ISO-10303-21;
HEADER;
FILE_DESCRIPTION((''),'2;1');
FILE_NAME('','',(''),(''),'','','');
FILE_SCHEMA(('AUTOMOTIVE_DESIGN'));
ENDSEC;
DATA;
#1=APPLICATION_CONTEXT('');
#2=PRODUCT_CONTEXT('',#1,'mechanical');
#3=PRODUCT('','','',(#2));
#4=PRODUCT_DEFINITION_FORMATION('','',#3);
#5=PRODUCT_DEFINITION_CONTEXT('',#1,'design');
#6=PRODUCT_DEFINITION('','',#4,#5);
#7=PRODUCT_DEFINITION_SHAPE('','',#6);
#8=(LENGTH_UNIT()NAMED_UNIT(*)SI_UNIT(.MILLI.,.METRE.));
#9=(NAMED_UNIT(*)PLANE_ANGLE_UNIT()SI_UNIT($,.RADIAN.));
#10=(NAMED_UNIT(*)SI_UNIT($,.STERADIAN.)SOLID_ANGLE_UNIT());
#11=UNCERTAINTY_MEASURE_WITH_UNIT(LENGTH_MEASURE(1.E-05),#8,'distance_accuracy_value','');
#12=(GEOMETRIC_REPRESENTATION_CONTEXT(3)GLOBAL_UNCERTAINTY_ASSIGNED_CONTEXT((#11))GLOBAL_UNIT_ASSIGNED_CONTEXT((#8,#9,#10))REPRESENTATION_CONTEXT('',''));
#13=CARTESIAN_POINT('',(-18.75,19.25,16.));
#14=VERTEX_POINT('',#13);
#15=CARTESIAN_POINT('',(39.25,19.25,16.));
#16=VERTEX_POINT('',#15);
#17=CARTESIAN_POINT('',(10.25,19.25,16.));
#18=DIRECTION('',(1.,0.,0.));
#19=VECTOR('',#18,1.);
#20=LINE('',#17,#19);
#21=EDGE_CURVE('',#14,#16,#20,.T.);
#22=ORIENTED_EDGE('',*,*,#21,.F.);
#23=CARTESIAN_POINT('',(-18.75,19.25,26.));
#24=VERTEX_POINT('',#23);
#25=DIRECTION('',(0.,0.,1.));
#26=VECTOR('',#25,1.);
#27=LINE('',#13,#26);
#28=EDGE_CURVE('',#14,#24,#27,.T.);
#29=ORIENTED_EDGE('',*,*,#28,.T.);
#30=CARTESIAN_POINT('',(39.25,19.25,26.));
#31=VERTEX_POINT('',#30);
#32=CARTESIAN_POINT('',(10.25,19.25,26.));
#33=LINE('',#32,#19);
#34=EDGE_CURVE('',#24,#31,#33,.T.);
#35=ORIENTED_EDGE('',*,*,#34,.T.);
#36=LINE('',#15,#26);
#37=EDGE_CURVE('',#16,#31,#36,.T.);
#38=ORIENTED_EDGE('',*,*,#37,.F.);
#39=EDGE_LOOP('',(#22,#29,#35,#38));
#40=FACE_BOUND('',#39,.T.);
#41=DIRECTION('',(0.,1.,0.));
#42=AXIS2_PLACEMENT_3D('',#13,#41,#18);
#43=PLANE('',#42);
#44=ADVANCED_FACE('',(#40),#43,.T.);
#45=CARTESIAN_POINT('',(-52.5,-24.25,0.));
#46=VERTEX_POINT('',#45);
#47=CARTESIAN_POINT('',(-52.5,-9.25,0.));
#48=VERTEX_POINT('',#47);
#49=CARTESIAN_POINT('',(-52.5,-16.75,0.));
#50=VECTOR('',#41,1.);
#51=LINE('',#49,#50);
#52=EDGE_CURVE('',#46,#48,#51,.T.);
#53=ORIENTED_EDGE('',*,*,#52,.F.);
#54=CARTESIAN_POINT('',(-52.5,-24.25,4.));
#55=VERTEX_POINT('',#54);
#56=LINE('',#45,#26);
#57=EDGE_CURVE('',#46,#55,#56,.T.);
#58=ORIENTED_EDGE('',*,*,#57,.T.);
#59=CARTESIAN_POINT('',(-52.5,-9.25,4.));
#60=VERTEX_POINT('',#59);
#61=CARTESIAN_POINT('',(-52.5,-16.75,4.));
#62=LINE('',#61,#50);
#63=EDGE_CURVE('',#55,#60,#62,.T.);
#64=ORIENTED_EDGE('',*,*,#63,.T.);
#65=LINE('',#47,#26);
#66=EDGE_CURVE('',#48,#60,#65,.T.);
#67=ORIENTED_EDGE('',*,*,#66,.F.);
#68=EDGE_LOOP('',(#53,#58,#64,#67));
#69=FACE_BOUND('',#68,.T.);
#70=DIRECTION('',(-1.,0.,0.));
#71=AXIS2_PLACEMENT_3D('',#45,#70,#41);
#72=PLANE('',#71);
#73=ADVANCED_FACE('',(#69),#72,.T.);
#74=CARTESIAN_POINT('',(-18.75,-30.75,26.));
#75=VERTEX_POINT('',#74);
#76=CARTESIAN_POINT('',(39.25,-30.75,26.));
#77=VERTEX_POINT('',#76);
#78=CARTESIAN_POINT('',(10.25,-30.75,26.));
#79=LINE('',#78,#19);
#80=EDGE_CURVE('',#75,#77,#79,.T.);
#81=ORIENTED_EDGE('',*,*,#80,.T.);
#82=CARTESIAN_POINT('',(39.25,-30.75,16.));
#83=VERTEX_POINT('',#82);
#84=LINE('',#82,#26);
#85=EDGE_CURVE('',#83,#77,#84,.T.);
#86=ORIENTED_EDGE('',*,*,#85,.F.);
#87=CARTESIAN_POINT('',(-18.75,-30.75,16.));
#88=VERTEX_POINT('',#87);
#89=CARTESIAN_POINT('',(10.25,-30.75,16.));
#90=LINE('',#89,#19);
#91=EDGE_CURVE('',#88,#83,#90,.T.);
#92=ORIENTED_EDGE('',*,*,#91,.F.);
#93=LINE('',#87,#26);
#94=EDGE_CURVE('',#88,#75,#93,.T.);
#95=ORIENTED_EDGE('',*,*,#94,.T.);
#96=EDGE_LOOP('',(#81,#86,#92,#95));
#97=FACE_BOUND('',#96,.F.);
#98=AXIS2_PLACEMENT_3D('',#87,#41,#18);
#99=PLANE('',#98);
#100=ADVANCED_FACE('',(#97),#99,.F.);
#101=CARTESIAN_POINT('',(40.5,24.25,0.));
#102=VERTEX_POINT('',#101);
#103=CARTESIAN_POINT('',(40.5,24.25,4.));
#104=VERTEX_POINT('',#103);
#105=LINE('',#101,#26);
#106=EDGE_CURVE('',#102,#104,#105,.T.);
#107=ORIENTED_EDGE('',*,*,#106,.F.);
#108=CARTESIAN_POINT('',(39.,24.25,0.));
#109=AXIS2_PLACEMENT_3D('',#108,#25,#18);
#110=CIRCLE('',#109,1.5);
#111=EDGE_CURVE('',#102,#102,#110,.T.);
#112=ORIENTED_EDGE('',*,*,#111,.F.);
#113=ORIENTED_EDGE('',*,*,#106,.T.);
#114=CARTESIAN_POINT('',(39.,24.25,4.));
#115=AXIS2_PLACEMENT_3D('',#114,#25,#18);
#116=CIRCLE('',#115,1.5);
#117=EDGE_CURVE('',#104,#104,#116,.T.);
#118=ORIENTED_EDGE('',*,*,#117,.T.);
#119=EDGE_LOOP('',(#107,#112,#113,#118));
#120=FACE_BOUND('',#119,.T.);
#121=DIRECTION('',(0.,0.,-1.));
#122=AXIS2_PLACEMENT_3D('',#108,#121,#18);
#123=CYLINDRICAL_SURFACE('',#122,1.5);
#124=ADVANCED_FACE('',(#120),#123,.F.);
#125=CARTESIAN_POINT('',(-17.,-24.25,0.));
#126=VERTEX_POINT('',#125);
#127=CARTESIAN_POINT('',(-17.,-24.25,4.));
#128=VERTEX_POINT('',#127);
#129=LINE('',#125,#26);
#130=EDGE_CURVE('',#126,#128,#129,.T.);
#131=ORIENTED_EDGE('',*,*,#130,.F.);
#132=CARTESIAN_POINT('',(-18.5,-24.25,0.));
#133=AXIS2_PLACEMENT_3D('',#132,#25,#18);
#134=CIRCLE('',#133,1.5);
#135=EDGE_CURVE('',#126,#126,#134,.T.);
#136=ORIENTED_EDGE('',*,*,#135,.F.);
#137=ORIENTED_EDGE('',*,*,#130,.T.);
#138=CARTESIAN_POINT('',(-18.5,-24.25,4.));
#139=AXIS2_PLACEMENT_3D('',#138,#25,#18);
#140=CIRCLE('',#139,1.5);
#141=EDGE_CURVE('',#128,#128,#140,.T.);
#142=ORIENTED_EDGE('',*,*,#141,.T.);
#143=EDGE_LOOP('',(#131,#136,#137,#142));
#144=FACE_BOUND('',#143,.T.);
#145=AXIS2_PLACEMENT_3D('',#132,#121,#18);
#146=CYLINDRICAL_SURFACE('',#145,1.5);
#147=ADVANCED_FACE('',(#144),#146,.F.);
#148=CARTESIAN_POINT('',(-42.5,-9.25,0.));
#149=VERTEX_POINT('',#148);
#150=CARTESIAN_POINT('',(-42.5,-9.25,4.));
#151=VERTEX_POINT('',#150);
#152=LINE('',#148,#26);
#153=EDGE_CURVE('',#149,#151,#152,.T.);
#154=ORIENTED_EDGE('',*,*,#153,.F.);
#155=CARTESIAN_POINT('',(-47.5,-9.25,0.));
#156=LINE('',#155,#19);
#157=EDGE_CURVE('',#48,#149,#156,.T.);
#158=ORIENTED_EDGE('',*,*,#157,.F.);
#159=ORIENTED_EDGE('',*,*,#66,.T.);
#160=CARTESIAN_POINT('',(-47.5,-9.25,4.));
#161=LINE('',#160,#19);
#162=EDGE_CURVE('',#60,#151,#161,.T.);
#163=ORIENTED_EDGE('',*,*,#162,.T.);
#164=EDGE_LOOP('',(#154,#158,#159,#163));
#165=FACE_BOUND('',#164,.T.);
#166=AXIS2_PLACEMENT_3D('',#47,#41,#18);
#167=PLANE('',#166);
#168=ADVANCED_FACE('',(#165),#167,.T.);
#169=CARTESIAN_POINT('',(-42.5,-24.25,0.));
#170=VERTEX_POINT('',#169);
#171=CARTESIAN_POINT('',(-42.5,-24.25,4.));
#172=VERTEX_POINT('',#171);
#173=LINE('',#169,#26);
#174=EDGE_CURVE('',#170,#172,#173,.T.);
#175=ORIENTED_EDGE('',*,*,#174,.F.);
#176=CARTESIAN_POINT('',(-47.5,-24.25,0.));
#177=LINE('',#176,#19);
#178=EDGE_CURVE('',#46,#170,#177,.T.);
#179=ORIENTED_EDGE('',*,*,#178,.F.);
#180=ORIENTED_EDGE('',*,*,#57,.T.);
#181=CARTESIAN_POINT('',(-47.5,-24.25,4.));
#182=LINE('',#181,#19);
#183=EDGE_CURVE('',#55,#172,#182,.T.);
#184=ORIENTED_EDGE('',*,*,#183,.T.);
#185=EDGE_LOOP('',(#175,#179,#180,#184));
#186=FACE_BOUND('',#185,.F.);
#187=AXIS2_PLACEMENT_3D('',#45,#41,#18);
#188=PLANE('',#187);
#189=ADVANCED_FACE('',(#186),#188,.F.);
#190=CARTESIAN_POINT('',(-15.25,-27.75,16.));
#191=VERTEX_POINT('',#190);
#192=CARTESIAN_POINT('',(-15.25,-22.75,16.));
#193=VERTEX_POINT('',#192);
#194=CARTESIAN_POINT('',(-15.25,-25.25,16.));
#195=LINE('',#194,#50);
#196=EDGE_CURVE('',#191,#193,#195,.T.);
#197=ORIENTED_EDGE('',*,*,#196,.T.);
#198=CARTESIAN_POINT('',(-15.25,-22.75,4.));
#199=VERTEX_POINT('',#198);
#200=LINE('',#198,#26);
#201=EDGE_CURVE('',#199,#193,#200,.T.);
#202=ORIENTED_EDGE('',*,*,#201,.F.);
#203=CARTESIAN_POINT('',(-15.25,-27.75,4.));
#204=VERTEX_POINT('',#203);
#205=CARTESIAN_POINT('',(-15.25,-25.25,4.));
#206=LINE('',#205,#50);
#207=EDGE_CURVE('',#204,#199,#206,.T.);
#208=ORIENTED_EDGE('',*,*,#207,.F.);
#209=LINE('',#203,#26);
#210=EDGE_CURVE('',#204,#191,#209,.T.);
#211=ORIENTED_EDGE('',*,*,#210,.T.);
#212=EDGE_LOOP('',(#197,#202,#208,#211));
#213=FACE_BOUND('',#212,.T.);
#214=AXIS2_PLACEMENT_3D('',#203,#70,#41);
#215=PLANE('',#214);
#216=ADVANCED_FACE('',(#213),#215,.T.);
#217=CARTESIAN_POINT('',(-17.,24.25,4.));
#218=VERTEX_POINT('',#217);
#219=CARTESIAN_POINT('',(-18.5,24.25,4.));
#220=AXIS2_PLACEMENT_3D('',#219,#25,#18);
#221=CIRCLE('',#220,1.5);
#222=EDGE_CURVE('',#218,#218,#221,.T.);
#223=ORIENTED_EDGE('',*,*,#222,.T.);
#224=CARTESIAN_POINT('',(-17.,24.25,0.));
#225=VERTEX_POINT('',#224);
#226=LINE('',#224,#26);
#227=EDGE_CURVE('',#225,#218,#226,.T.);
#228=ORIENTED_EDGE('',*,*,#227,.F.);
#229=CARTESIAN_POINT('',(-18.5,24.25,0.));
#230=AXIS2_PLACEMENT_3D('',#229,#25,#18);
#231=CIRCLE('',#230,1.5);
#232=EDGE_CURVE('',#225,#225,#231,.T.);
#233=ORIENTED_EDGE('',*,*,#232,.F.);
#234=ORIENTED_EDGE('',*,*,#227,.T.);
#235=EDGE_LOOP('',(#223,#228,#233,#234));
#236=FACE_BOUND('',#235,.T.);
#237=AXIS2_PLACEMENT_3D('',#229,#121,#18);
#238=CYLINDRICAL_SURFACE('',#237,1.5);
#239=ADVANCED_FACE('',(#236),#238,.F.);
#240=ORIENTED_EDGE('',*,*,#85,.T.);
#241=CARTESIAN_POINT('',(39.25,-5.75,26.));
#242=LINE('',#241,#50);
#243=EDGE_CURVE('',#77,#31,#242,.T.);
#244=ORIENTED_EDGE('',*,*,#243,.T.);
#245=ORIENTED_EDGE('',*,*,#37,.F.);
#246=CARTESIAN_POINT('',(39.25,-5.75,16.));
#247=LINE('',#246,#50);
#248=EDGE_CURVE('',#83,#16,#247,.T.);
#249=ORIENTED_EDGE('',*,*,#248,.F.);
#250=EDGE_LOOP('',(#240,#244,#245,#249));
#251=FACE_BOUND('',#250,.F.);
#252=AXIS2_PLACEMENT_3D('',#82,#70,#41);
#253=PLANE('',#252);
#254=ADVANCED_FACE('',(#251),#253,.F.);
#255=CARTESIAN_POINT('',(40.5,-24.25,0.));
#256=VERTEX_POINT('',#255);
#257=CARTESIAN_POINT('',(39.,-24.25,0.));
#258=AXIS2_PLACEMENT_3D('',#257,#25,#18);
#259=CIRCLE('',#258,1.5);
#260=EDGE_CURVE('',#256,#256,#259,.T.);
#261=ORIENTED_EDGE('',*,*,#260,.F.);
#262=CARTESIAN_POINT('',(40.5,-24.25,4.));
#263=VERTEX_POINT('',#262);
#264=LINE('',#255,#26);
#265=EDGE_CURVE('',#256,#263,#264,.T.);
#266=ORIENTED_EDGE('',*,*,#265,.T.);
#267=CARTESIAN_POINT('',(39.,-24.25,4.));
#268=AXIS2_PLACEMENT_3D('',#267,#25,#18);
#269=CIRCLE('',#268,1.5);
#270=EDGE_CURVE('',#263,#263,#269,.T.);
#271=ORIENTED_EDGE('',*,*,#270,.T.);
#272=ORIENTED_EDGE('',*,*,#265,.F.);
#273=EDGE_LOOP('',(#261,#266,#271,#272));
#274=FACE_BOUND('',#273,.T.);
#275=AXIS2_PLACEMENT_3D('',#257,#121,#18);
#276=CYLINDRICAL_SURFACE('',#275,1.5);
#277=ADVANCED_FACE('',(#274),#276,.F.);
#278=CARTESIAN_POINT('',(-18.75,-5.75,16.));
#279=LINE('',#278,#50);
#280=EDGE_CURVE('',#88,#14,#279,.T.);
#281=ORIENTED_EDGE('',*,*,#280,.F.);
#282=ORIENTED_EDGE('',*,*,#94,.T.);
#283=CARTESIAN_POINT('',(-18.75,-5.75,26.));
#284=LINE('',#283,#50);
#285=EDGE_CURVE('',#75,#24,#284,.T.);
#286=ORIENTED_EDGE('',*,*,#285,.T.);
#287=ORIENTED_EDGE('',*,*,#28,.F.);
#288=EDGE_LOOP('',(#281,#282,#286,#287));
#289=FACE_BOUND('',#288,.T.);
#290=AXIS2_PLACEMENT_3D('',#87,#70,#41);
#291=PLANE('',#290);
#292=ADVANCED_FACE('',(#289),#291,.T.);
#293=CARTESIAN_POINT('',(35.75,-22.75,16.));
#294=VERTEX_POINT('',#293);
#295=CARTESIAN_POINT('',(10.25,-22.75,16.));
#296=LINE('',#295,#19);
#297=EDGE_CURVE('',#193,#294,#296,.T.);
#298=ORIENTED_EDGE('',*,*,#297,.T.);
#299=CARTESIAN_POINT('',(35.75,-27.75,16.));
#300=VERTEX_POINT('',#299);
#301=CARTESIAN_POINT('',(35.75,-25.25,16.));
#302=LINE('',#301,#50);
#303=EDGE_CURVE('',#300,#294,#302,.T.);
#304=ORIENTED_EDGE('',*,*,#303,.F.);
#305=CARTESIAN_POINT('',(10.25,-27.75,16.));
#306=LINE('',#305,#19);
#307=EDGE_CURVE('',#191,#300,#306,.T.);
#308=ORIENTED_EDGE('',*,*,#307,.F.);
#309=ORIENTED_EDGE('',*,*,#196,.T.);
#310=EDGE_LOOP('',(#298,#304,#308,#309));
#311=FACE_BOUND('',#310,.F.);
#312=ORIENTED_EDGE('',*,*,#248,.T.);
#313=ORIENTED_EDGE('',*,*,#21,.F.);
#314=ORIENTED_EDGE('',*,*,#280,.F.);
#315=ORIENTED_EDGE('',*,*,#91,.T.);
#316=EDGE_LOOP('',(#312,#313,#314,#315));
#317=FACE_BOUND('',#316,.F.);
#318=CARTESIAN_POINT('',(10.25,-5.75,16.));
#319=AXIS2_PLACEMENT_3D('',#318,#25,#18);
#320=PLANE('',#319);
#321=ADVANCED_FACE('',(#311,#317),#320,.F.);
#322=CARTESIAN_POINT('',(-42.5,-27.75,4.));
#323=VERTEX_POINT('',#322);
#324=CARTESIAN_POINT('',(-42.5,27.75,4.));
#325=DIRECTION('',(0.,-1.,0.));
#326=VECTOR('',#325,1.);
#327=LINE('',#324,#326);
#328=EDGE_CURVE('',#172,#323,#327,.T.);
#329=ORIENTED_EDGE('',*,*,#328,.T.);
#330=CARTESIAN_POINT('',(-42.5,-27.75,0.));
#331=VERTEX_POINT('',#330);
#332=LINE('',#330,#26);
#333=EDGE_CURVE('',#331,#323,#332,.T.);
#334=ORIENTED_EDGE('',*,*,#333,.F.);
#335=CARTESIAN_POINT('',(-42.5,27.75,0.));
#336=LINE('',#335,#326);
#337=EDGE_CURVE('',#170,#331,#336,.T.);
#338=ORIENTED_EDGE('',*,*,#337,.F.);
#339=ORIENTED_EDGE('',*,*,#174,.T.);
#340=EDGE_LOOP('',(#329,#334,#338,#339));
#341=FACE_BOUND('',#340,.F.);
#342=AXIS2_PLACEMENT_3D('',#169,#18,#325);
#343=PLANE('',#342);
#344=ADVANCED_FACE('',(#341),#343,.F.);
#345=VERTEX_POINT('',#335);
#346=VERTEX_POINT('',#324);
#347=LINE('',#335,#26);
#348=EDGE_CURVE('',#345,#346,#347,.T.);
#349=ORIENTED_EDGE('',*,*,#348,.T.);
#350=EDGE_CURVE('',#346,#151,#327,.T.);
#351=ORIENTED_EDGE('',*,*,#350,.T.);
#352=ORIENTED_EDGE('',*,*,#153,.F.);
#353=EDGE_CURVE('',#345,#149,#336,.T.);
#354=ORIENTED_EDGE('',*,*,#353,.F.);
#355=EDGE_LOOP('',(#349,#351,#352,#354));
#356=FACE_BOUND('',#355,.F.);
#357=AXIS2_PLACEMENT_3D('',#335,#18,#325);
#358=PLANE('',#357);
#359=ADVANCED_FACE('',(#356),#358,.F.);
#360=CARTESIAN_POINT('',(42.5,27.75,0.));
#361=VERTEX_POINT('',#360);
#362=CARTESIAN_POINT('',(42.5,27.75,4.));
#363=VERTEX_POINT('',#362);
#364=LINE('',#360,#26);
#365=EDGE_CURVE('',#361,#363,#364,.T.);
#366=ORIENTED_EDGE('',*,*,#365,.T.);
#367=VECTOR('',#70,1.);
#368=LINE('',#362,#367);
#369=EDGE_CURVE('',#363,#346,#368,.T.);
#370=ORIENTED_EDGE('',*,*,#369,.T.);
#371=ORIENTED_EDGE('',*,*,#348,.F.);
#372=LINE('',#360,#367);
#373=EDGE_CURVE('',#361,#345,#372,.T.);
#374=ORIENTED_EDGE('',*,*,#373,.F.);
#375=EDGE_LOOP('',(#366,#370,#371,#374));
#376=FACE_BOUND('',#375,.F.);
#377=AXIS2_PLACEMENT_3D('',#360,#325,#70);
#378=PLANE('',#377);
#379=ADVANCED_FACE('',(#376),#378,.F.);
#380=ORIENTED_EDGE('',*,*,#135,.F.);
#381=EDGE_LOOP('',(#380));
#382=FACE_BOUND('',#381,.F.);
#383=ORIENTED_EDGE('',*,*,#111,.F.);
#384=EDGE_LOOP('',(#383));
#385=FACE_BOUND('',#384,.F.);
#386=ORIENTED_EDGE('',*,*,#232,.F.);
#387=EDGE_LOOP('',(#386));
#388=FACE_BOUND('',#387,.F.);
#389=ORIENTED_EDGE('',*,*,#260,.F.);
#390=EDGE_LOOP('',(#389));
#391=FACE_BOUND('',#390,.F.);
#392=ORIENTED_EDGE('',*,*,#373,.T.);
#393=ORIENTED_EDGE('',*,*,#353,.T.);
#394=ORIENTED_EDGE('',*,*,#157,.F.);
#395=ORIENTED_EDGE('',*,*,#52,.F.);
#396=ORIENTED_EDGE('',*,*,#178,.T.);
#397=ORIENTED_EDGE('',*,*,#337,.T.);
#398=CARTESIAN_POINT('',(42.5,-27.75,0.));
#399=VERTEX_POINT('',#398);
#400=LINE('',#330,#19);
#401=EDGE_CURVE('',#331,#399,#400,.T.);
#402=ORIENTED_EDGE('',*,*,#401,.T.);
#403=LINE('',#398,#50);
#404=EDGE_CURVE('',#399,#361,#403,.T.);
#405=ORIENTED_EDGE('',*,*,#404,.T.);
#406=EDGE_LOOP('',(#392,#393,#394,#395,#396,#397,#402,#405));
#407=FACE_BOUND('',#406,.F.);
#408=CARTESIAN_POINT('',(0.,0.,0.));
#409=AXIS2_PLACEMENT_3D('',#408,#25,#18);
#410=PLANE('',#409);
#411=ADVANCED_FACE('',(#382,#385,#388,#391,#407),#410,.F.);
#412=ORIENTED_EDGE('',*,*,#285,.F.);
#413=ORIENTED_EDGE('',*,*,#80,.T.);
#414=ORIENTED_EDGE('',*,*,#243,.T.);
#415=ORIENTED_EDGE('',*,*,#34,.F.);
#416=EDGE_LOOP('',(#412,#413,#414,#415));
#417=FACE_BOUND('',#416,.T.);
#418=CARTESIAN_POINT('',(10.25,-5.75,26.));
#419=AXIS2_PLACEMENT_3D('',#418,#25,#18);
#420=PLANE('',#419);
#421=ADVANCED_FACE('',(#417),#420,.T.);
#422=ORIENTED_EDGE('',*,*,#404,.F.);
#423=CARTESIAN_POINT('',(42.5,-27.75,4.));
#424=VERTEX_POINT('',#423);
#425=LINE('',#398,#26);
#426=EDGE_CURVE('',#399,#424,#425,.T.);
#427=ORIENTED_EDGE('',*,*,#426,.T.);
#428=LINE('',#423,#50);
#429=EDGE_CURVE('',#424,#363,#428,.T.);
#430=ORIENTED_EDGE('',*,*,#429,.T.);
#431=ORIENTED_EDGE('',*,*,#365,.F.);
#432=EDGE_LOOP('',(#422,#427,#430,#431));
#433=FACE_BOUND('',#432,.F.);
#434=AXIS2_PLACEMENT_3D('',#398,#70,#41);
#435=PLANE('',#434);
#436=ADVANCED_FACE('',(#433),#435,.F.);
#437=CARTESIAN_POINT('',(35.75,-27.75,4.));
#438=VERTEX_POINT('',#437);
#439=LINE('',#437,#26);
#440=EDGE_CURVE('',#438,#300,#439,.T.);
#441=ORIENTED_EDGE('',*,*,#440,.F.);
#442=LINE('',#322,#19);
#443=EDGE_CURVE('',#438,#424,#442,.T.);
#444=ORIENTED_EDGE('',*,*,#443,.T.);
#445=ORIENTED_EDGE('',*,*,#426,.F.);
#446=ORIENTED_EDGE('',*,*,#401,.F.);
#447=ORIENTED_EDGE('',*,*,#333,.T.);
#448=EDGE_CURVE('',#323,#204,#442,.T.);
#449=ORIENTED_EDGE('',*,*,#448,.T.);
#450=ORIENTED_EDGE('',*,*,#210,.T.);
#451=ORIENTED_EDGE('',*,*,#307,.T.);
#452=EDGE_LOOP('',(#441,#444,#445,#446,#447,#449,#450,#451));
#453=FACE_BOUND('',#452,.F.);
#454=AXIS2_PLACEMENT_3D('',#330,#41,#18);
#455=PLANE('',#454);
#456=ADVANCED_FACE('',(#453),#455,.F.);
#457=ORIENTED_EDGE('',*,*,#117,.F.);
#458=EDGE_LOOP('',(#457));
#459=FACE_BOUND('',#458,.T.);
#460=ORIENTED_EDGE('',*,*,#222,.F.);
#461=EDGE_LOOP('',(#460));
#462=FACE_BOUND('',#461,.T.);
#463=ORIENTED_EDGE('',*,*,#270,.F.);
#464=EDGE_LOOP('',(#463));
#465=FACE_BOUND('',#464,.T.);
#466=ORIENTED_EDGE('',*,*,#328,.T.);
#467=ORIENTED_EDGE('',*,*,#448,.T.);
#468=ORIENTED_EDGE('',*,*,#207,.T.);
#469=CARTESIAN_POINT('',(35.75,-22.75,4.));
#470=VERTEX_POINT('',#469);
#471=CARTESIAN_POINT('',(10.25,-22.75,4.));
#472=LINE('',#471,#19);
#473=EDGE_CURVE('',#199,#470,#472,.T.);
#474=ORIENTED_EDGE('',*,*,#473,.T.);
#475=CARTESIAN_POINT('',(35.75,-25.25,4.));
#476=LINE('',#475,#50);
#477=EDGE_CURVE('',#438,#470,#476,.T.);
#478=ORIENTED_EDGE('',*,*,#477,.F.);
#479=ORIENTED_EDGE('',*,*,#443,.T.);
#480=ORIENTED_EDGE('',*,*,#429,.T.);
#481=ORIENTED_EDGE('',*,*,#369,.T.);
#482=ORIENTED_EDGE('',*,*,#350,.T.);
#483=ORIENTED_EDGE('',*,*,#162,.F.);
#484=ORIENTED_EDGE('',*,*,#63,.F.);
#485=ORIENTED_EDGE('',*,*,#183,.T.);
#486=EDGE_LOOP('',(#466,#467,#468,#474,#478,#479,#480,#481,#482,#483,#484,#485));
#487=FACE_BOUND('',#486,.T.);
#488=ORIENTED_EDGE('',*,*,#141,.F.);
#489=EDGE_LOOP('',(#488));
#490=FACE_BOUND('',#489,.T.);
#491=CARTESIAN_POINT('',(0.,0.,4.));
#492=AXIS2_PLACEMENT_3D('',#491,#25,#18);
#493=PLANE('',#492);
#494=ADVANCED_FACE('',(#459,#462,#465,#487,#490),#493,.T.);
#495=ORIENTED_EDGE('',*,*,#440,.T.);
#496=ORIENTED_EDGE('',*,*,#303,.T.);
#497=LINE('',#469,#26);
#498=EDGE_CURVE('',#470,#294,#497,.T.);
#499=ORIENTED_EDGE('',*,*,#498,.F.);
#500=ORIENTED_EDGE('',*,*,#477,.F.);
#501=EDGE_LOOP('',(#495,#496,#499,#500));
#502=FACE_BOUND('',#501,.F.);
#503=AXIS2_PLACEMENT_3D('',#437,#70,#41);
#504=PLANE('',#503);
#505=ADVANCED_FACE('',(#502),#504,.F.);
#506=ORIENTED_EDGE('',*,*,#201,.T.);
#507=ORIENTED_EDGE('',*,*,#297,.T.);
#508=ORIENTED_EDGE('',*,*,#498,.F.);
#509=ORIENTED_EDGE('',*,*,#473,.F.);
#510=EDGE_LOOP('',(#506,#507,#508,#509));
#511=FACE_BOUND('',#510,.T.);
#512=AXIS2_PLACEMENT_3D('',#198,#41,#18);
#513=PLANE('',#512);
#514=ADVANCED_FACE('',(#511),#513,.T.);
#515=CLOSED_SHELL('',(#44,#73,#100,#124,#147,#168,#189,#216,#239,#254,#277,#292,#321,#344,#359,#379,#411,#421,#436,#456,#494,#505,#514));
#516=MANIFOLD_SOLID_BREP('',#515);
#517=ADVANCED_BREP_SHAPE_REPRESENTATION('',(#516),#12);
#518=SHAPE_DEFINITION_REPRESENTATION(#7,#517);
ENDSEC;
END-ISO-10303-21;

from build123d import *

# Parameters (mm, degrees)
F0_R     = 1.5
F0_W     = 10
F0_H     = 15
F1_DEPTH = 4
F2_W     = 51
F2_H     = 5
F3_DEPTH = 12
F4_W     = 58
F4_H     = 50
F5_DEPTH = 10


with BuildPart() as f1:
    # F0 (on Top) → F1 (new body)
    with BuildSketch(Plane.XY):
        Polygon((42.5, 27.75), (-42.5, 27.75), (-42.5, -9.25), (-42.5, -24.25), (-42.5, -27.75), (42.5, -27.75), align=None)
        with Locations((-18.5, -24.25)):
            Circle(F0_R, mode=Mode.SUBTRACT)
        with Locations((39, -24.25)):
            Circle(F0_R, mode=Mode.SUBTRACT)
        with Locations((-18.5, 24.25)):
            Circle(F0_R, mode=Mode.SUBTRACT)
        with Locations((39, 24.25)):
            Circle(F0_R, mode=Mode.SUBTRACT)
        with Locations((-47.5, -16.75)):
            Rectangle(F0_W, F0_H)
    extrude(amount=F1_DEPTH)

    # F2 (on face) → F3 (join)
    with BuildSketch(Plane.XY.offset(4)):
        with Locations((10.25, -25.25)):
            Rectangle(F2_W, F2_H)
    extrude(amount=F3_DEPTH)

    # F4 (on face) → F5 (join)
    with BuildSketch(Plane.XY.offset(16)):
        with Locations((10.25, -5.75)):
            Rectangle(F4_W, F4_H)
    extrude(amount=F5_DEPTH)


solid = f1.part
